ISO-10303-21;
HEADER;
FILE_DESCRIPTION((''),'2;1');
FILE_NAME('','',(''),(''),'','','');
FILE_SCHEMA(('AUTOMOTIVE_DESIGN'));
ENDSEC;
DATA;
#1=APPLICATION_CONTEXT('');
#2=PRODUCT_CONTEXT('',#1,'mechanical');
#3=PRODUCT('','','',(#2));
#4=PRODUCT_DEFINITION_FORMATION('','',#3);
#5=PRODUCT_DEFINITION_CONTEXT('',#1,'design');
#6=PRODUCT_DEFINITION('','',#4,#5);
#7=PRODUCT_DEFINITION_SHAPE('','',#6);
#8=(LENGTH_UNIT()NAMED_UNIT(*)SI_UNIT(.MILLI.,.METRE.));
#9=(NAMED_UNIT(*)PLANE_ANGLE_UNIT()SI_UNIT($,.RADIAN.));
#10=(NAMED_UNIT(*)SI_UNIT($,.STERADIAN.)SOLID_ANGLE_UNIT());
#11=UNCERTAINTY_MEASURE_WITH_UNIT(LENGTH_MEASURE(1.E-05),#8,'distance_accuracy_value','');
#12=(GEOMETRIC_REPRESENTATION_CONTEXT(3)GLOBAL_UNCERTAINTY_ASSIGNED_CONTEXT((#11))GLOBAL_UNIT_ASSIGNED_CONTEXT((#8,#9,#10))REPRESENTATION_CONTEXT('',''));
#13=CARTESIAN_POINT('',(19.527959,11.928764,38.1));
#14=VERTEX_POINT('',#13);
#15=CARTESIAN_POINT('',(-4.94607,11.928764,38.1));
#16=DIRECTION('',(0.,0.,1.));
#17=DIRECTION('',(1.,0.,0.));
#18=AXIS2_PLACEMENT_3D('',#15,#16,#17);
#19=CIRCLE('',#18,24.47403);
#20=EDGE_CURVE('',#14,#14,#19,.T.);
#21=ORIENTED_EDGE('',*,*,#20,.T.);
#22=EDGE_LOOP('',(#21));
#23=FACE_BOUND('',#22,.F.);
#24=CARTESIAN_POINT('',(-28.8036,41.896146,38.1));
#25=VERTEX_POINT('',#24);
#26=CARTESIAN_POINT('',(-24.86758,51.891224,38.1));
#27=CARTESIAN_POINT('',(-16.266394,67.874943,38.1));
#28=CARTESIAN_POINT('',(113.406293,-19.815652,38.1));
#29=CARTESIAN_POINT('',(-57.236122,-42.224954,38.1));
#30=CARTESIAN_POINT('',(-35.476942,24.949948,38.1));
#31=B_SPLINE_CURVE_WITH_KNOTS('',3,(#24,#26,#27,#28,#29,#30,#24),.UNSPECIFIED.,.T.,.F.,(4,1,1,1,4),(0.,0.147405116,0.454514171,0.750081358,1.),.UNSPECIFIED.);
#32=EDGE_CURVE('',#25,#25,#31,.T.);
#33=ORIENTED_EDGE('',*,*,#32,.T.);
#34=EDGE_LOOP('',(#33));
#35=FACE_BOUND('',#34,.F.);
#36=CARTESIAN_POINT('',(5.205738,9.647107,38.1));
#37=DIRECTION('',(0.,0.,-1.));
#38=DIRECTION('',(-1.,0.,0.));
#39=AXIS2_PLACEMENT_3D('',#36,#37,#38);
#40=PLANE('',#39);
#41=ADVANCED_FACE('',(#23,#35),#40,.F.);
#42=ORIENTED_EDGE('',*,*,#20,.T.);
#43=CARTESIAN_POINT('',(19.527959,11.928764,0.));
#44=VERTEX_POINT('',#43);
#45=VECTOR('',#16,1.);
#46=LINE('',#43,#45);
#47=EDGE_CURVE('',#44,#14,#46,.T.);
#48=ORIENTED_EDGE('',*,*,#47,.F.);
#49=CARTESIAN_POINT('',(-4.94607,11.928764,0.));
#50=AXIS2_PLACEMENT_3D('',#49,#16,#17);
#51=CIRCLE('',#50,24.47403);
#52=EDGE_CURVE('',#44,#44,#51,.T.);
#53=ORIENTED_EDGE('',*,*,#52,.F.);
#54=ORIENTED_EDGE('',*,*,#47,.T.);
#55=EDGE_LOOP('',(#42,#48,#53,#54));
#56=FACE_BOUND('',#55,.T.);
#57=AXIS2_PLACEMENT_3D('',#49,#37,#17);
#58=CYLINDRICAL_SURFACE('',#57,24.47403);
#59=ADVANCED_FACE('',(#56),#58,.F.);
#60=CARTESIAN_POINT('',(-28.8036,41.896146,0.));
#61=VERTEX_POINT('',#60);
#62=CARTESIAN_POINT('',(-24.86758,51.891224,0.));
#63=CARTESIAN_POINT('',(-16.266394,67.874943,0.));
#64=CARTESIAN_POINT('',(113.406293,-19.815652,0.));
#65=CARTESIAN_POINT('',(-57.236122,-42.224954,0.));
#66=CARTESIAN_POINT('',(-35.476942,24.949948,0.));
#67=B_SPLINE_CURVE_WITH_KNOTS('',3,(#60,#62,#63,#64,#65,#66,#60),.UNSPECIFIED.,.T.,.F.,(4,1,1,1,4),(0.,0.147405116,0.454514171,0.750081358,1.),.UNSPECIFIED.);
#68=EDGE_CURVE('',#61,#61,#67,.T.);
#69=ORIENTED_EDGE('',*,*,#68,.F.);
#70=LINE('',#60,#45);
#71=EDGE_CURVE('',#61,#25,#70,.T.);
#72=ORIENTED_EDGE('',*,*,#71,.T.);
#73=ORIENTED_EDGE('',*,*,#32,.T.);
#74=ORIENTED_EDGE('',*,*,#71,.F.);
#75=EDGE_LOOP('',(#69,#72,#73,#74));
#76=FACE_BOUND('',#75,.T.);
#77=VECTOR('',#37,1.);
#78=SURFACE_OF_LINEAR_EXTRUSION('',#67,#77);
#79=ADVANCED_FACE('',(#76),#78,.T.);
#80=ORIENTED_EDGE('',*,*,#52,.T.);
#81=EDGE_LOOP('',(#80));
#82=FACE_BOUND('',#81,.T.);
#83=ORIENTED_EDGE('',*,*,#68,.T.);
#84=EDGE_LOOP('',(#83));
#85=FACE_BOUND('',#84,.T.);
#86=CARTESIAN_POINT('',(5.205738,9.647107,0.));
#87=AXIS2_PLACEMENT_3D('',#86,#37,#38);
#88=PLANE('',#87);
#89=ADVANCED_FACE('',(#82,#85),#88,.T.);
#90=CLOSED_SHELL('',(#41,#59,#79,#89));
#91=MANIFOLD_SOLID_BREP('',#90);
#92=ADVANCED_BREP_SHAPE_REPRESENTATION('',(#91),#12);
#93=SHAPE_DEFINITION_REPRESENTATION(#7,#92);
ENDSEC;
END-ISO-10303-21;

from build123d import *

# Parameters (mm, degrees)
F0_R     = 24.4740296613
F1_DEPTH = 38.1


with BuildPart() as f1:
    # F0 (on Top) → F1 (new body)
    with BuildSketch(Plane.XY):
        with BuildLine():
            add(Edge.make_bspline(
                [(-28.8035999984, 41.8961457908), (-24.8675803228, 51.8912237642), (-16.266393878, 67.8749432856), (113.4062927935, -19.8156519205), (-57.236122124, -42.2249537885), (-35.4769415925, 24.9499475818), (-28.8035999984, 41.8961457908)],
                knots=[0, 0, 0, 0, 0.1474051159, 0.4545141714, 0.7500813582, 1, 1, 1, 1], degree=3))
        make_face()
        with Locations((-4.9460702576, 11.9287641719)):
            Circle(F0_R, mode=Mode.SUBTRACT)
    extrude(amount=F1_DEPTH)


solid = f1.part
